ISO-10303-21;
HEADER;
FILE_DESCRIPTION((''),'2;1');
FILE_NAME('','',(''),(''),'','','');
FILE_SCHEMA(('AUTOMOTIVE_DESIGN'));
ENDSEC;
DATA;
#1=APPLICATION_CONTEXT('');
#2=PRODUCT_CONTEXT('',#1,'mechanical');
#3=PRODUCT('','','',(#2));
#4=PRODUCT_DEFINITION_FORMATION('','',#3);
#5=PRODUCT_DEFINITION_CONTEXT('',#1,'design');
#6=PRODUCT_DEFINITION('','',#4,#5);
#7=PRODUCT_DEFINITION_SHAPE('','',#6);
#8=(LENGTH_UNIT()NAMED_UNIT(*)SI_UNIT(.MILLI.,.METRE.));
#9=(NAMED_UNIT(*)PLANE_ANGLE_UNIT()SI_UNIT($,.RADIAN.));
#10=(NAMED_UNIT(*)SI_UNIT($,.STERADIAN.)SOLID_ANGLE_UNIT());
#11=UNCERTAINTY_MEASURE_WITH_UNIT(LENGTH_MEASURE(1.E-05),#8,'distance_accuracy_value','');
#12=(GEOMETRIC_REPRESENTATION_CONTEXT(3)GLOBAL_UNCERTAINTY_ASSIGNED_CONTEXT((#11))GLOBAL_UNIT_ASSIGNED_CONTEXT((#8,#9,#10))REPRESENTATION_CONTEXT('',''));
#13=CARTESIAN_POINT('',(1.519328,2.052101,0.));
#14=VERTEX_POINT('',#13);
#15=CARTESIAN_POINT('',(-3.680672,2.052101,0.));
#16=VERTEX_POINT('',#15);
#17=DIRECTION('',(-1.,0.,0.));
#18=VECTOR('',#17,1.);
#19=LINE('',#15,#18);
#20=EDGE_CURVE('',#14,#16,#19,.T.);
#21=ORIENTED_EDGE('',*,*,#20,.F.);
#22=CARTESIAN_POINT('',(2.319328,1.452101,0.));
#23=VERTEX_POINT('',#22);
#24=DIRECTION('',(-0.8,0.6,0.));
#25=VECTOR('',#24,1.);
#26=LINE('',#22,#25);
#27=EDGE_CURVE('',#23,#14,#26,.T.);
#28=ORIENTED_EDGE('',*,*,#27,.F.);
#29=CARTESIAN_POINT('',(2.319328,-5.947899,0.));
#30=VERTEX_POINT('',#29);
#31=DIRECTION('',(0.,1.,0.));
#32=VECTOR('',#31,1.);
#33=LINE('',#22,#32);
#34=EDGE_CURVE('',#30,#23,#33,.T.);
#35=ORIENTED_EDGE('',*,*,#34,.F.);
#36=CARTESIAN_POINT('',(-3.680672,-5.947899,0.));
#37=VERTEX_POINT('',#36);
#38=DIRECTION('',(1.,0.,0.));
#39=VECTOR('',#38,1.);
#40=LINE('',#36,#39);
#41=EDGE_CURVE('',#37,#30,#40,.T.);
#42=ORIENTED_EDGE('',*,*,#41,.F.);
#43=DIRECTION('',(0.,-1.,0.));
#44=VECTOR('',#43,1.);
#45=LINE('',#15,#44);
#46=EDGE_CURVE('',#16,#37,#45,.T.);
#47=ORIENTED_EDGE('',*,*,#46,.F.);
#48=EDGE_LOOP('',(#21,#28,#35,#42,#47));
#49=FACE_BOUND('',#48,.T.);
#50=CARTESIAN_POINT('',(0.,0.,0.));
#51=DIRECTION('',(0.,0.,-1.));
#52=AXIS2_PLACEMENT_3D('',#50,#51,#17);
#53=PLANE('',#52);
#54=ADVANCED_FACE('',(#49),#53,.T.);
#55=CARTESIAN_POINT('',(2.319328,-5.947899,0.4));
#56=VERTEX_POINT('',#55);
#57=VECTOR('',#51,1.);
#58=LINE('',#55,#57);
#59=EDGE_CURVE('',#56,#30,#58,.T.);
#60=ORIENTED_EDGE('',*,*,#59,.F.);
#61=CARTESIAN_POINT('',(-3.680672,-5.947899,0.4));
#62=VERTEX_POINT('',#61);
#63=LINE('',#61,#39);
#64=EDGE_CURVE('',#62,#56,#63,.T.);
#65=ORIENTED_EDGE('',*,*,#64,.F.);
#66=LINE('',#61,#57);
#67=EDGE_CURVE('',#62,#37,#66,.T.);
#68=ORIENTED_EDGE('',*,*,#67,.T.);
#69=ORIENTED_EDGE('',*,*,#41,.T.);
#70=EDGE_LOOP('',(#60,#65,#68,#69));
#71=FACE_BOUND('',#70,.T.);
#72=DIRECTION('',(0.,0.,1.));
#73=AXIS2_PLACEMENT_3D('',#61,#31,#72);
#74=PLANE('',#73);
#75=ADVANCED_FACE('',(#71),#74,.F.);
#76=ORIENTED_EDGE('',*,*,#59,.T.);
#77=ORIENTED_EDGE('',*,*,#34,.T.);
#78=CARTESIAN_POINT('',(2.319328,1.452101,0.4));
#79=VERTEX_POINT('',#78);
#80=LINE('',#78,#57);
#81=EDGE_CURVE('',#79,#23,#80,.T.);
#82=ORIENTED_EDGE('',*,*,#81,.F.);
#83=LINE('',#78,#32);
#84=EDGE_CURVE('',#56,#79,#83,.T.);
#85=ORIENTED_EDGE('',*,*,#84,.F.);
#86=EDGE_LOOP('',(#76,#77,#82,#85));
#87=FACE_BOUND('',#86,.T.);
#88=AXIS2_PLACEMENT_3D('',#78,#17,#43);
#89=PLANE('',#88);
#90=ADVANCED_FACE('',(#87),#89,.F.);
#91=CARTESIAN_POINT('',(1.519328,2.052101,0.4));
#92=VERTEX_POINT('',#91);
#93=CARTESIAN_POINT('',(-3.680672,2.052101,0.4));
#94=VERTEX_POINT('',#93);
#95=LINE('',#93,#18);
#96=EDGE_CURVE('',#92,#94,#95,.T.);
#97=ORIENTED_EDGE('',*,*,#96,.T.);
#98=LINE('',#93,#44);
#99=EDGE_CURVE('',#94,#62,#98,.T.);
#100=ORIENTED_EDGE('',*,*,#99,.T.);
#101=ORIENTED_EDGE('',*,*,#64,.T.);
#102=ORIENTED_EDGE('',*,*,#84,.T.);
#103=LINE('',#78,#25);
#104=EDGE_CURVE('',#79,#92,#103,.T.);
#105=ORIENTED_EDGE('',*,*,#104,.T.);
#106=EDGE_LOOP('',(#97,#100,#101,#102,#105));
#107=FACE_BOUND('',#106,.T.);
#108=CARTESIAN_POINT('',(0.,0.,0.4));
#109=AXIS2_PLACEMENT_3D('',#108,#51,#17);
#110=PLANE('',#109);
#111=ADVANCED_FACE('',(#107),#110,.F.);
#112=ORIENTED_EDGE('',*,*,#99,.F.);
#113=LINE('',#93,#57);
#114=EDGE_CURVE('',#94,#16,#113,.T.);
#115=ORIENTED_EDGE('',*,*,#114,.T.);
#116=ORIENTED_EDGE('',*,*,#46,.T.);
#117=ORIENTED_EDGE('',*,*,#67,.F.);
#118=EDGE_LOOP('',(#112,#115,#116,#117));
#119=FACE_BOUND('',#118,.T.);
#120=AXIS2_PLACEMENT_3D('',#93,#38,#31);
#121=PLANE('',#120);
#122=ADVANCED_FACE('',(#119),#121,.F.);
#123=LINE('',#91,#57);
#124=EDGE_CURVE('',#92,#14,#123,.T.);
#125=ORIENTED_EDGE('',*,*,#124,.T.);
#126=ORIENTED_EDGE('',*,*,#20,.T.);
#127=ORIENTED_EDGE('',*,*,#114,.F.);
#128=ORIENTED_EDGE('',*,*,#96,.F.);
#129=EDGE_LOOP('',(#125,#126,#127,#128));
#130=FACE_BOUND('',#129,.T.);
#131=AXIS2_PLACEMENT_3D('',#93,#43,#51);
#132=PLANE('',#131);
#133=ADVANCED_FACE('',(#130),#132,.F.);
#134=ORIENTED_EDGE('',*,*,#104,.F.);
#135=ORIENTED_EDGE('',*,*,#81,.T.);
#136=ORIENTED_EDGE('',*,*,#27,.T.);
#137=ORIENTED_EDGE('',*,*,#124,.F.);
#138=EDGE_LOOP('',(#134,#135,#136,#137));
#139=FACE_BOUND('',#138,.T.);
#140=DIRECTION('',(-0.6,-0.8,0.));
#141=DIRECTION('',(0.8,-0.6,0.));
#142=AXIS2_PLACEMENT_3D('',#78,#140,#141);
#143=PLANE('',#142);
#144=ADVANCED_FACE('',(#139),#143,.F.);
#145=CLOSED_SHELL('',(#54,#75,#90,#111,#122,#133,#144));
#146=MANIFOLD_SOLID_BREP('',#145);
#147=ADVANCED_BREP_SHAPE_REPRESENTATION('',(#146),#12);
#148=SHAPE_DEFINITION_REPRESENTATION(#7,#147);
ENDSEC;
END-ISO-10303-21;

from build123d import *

# Parameters (mm, degrees)
EXTRUDE_1_DEPTH = 0.4


with BuildPart() as part:
    # 草图1 → 凸台-拉伸1 (new body)
    with BuildSketch(Plane.XY):
        Polygon((-3.680672269, 2.05210084), (-3.680672269, -5.94789916), (2.319327731, -5.94789916), (2.319327731, 1.45210084), (1.519327731, 2.05210084), align=None)
    extrude(amount=EXTRUDE_1_DEPTH)


solid = part.part
